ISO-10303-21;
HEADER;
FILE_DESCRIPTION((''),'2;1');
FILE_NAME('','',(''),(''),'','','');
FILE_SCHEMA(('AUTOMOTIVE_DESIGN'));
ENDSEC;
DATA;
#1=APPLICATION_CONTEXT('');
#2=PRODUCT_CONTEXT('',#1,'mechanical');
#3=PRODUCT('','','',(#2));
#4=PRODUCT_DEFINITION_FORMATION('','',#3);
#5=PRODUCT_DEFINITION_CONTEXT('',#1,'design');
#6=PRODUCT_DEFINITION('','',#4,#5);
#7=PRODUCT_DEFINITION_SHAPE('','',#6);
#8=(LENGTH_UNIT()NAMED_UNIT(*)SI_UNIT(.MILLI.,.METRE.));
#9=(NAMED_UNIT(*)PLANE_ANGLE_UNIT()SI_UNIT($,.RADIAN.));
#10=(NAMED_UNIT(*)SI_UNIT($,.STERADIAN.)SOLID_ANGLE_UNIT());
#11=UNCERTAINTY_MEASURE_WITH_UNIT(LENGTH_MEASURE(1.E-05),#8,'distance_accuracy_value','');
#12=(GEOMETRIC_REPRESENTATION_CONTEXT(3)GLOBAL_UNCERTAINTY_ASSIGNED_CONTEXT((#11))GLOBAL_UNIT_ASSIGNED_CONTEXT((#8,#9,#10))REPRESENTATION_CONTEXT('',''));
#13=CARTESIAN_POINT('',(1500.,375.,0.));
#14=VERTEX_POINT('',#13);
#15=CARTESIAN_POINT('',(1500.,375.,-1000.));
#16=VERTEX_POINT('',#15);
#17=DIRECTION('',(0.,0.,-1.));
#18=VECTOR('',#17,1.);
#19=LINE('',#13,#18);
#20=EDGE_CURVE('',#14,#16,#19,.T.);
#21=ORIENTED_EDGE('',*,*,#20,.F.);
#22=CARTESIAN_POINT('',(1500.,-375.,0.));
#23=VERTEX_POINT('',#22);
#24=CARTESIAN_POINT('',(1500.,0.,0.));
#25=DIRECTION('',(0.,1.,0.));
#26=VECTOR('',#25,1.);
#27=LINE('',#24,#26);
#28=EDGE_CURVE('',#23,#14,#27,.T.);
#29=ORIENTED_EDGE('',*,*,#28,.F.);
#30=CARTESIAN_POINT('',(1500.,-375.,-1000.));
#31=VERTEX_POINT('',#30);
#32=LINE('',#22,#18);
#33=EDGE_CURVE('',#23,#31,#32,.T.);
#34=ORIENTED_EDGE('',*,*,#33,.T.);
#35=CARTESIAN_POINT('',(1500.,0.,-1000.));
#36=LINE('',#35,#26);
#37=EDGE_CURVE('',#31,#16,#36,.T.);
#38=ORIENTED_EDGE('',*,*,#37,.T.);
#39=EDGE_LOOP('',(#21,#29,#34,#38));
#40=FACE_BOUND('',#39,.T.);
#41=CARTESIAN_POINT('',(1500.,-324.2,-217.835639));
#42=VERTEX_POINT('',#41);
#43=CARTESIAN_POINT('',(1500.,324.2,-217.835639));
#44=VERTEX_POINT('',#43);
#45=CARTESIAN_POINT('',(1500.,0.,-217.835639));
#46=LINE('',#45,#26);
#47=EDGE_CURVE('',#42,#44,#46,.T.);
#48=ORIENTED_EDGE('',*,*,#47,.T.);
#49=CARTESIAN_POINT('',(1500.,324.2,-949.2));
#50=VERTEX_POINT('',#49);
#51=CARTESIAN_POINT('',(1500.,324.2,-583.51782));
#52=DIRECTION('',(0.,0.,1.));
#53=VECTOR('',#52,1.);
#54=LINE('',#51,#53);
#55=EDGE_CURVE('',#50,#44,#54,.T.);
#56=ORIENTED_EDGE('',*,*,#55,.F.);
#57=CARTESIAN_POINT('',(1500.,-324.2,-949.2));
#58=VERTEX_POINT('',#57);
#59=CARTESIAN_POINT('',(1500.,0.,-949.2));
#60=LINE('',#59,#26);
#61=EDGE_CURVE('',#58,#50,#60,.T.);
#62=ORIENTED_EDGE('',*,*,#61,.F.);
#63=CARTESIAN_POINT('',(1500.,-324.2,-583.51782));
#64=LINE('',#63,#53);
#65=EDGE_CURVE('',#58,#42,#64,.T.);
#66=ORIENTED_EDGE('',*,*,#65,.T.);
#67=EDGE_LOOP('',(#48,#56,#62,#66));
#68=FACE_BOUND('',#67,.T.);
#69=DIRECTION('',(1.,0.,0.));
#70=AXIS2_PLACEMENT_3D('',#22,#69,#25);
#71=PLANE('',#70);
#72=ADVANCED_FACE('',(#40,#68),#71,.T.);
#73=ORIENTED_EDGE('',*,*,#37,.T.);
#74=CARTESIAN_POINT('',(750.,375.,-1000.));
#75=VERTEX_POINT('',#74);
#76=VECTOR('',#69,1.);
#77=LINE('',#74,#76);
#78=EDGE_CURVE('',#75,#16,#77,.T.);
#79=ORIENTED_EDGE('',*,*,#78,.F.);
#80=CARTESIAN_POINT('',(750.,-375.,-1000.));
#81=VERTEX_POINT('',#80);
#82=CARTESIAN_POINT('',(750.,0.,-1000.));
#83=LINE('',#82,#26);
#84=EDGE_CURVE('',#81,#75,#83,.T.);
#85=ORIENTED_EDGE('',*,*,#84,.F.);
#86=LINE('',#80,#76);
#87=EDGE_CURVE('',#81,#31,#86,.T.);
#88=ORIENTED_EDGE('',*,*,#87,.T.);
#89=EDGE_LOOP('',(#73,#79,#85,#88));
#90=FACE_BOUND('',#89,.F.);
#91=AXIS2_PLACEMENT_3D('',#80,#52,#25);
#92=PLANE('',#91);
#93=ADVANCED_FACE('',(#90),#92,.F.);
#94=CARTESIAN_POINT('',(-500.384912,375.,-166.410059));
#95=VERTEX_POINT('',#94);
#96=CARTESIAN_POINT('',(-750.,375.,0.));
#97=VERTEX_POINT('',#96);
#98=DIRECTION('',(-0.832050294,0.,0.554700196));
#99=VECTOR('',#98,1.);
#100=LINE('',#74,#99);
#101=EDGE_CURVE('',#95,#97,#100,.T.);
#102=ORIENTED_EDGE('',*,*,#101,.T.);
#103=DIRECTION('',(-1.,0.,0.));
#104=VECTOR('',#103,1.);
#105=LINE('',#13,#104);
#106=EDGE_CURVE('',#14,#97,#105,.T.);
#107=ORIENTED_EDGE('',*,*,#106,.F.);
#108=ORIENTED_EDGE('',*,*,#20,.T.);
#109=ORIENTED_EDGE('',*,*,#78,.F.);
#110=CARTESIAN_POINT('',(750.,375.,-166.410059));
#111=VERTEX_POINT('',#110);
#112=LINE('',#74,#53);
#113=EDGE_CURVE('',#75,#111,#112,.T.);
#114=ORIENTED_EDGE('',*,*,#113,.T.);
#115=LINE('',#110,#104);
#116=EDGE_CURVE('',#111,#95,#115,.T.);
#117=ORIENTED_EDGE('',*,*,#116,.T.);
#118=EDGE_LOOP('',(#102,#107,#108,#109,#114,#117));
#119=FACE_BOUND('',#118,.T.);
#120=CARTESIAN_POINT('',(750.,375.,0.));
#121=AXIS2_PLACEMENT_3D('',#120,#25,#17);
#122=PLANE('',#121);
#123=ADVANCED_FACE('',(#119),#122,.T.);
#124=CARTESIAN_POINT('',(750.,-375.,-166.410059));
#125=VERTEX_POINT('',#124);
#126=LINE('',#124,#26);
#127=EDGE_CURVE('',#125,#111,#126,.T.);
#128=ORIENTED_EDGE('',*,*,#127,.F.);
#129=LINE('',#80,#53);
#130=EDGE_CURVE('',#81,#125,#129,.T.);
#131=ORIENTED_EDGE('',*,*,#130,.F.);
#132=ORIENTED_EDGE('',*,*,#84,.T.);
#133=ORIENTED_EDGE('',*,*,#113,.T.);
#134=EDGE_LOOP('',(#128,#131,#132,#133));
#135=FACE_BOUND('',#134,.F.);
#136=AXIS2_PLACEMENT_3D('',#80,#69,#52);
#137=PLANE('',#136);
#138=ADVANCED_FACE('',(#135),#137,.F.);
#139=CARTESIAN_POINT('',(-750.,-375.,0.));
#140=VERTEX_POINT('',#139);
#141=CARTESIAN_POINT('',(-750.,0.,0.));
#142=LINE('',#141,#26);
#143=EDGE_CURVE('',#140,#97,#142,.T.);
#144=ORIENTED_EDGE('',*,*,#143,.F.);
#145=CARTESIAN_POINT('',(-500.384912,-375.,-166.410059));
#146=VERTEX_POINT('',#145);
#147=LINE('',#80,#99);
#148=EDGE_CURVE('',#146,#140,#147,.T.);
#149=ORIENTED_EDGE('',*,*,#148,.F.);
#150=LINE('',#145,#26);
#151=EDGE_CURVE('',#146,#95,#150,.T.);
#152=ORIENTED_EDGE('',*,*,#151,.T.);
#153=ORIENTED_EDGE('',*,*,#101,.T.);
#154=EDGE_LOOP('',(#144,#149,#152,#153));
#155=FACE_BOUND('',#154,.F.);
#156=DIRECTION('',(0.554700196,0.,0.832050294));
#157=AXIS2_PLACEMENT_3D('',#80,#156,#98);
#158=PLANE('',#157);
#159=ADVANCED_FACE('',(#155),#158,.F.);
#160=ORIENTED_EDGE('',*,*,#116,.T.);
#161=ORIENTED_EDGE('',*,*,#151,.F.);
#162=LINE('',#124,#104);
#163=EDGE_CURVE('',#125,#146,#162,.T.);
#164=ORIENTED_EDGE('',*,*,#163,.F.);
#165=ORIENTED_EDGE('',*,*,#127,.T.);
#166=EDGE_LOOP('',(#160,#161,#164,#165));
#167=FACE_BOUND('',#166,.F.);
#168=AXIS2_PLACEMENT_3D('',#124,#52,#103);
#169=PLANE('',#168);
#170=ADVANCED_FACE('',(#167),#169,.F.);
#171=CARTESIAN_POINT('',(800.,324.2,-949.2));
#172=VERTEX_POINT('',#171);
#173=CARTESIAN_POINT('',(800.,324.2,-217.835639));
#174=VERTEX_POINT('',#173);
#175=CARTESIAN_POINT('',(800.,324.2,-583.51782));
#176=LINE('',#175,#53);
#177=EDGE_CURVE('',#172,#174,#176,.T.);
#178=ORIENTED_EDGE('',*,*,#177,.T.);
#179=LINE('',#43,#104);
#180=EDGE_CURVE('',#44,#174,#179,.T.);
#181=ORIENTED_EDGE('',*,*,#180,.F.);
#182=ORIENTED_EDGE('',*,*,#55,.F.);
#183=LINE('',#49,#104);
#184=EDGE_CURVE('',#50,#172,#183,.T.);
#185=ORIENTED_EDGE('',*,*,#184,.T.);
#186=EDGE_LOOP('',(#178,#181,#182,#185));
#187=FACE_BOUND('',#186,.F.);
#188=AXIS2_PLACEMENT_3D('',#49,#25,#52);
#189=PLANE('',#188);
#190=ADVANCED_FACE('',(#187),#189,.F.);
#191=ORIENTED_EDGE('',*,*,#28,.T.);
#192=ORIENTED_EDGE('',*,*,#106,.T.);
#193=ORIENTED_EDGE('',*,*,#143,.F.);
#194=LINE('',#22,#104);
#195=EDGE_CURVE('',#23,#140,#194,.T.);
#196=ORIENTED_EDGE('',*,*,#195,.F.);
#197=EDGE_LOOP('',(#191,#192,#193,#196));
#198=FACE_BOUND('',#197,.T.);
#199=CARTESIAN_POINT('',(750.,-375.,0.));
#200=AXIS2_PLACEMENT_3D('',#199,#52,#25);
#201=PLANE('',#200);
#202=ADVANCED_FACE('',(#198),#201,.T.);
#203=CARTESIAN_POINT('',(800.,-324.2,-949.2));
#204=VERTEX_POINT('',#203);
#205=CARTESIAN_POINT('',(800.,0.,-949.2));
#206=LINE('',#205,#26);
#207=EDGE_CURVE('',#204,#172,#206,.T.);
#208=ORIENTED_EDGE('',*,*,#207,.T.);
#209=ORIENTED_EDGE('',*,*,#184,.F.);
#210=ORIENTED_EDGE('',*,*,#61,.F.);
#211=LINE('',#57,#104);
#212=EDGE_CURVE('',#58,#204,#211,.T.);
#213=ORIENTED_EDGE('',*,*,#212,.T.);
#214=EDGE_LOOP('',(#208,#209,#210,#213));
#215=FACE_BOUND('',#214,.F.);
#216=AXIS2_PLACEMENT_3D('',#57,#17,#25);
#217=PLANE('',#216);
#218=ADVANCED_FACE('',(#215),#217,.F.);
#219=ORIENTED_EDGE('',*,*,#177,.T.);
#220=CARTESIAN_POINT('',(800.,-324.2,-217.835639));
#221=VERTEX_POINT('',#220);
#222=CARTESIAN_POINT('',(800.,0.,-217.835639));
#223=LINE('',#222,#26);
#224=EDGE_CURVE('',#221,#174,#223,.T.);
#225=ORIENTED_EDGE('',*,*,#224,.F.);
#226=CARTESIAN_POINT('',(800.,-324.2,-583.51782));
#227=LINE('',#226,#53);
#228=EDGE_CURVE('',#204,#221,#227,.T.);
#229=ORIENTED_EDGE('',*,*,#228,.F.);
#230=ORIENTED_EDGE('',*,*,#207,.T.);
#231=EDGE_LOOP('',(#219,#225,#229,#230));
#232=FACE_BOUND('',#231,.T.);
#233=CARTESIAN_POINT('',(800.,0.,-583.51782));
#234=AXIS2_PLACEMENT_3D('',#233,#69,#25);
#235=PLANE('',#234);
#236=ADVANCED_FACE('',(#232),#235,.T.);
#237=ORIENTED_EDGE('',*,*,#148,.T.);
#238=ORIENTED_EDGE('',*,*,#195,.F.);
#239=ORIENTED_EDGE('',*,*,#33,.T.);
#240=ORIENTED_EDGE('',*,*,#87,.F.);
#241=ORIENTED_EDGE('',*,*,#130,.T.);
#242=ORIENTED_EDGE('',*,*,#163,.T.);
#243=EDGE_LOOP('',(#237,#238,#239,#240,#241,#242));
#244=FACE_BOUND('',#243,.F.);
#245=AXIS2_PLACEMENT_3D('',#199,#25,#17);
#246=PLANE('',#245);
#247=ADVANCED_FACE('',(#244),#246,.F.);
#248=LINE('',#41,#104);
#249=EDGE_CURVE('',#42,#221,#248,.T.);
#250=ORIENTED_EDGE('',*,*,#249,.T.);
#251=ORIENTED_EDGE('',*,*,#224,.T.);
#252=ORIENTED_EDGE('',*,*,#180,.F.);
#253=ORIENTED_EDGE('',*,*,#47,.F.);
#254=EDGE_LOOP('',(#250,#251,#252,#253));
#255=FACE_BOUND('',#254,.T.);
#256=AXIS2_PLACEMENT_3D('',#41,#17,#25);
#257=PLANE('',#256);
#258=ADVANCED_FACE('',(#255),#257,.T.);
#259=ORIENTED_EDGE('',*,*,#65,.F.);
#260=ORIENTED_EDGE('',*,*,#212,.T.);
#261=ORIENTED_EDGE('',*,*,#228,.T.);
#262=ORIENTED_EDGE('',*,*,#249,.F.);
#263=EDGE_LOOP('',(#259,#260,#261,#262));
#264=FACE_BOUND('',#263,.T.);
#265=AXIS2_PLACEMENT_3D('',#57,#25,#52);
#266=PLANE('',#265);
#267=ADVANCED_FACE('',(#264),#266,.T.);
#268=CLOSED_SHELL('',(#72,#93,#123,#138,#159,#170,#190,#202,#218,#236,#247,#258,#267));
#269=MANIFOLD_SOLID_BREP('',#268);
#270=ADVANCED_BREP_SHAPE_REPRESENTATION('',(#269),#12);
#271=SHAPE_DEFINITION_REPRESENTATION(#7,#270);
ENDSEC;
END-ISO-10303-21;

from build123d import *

# Parameters (mm, degrees)
F0_W     = 1500
F0_H     = 750
F1_DEPTH = 1000
F3_DEPTH = 750
F4_DEPTH = 750
F6_DEPTH = 750
F8_W     = 648.4
F8_H     = 731.364360714
F9_DEPTH = 700


with BuildPart() as f1:
    # F0 (on Top) → F1 (new body)
    with BuildSketch(Plane.XY):
        Rectangle(F0_W, F0_H)
    extrude(amount=-F1_DEPTH)

    # F2 (on face) → F3 (cut)
    with BuildSketch(Plane.XZ.offset(375)):
        Polygon((-750, -1000), (750, -1000), (-750, 0), align=None)
    extrude(amount=-F3_DEPTH, mode=Mode.SUBTRACT)

    # F4 (add): a face of the model
    f4_faces = [f1.faces().sort_by_distance(p)[0] for p in [
        (750, 0, -500),
    ]]
    extrude(f4_faces, amount=F4_DEPTH)

    # F5 (on face) → F6 (cut)
    with BuildSketch(Plane.XZ.offset(375)):
        Polygon((750, -166.4100588676), (-500.3849116986, -166.4100588676), (750, -1000), align=None)
        Polygon((750, -1000), (-500.3849116986, -166.4100588676), (-500.3849116986, -1000), align=None)
    extrude(amount=-F6_DEPTH, mode=Mode.SUBTRACT)

    # F8 (on face) → F9 (cut)
    with BuildSketch(Plane.YZ.offset(1500)):
        with Locations((0, -583.517819643)):
            Rectangle(F8_W, F8_H)
    extrude(amount=-F9_DEPTH, mode=Mode.SUBTRACT)


solid = f1.part
